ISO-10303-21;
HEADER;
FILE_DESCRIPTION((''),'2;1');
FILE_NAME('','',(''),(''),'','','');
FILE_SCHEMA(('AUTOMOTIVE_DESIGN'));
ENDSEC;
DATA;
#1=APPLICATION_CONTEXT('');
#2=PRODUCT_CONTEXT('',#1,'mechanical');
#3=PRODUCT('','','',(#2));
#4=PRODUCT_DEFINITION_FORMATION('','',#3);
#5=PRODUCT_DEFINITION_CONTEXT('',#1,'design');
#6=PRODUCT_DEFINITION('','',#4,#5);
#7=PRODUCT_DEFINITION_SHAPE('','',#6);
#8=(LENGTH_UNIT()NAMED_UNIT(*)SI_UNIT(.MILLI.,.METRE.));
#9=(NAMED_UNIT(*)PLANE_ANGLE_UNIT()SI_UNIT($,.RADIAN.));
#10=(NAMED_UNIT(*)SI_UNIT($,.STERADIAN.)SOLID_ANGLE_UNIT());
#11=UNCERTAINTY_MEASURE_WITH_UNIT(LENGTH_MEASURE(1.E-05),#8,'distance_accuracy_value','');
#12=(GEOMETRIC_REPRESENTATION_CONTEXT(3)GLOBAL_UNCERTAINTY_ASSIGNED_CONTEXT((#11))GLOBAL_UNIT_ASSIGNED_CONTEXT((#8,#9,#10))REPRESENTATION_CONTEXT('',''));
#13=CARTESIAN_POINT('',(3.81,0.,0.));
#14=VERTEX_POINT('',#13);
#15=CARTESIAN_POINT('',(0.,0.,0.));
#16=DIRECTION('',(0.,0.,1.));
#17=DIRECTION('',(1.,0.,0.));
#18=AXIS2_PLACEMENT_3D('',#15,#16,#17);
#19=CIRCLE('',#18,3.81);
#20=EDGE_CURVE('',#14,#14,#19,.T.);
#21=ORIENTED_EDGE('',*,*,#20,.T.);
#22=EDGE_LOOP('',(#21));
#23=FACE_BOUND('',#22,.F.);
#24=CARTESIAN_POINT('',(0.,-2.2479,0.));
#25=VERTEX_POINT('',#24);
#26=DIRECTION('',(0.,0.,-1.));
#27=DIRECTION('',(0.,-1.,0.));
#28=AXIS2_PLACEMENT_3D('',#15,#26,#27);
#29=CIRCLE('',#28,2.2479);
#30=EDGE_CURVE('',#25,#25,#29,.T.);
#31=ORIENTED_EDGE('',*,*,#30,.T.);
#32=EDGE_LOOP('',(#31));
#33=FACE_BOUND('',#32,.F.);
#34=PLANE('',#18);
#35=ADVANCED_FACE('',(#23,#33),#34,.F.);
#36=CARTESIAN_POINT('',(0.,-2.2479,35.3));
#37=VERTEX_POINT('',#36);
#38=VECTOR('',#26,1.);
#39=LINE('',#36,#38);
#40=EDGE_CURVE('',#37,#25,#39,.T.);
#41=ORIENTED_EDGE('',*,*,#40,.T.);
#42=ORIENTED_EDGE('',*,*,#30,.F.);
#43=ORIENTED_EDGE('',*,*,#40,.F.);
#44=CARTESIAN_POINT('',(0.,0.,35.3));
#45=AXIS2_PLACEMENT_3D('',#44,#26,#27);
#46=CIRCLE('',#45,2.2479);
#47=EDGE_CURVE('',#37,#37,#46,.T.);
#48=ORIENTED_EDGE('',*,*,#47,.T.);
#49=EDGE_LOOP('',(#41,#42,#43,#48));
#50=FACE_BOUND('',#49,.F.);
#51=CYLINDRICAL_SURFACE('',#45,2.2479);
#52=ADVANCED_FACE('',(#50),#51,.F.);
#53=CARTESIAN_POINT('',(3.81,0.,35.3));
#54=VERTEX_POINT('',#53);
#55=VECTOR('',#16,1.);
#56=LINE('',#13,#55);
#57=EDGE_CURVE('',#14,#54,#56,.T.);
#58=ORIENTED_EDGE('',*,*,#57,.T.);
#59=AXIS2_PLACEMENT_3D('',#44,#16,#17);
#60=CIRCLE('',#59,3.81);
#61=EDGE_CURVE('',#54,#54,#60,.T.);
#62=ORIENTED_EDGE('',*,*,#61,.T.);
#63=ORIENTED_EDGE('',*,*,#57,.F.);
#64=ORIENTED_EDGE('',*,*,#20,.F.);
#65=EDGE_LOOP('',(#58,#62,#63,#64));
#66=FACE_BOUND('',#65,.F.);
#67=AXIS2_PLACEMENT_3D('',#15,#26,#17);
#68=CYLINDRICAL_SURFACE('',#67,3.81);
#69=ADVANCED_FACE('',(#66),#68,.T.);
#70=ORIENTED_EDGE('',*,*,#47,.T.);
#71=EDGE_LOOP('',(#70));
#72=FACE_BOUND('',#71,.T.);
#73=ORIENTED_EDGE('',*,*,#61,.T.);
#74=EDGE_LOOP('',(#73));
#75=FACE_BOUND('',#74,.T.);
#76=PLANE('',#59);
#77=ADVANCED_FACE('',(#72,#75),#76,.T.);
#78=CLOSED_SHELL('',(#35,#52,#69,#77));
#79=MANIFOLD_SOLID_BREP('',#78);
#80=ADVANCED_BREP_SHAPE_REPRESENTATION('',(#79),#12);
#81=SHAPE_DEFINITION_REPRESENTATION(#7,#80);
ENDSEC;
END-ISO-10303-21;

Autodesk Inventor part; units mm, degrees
ref_plane "YZ Plane" through (0, 0, 0) normal (1, 0, 0) x (0, 1, 0)
ref_plane "XZ Plane" through (0, 0, 0) normal (0, 1, 0) x (-1, 0, 0)
ref_plane "XY Plane" through (0, 0, 0) normal (0, 0, 1) x (1, 0, 0)
sketch "Sketch1" plane through (0, 0, 0) normal (0, 0, 1) x (1, 0, 0)
  circle A0 centre (0, 0) radius 3.81
  dimension "d0" = 7.62
extrude "Extrusion1" add sketch "Sketch1" along normal blind 35.3
hole "Hole1" at (0, 0, 35.3) direction (0, 0, -1) diameter 4.4958 end through all clearance for "Flat Head Machine Screw (82)" size "#8" standard "Ansi Unified Screw Threads"
properties part number "mount spacer" material "Aluminum 6061"
